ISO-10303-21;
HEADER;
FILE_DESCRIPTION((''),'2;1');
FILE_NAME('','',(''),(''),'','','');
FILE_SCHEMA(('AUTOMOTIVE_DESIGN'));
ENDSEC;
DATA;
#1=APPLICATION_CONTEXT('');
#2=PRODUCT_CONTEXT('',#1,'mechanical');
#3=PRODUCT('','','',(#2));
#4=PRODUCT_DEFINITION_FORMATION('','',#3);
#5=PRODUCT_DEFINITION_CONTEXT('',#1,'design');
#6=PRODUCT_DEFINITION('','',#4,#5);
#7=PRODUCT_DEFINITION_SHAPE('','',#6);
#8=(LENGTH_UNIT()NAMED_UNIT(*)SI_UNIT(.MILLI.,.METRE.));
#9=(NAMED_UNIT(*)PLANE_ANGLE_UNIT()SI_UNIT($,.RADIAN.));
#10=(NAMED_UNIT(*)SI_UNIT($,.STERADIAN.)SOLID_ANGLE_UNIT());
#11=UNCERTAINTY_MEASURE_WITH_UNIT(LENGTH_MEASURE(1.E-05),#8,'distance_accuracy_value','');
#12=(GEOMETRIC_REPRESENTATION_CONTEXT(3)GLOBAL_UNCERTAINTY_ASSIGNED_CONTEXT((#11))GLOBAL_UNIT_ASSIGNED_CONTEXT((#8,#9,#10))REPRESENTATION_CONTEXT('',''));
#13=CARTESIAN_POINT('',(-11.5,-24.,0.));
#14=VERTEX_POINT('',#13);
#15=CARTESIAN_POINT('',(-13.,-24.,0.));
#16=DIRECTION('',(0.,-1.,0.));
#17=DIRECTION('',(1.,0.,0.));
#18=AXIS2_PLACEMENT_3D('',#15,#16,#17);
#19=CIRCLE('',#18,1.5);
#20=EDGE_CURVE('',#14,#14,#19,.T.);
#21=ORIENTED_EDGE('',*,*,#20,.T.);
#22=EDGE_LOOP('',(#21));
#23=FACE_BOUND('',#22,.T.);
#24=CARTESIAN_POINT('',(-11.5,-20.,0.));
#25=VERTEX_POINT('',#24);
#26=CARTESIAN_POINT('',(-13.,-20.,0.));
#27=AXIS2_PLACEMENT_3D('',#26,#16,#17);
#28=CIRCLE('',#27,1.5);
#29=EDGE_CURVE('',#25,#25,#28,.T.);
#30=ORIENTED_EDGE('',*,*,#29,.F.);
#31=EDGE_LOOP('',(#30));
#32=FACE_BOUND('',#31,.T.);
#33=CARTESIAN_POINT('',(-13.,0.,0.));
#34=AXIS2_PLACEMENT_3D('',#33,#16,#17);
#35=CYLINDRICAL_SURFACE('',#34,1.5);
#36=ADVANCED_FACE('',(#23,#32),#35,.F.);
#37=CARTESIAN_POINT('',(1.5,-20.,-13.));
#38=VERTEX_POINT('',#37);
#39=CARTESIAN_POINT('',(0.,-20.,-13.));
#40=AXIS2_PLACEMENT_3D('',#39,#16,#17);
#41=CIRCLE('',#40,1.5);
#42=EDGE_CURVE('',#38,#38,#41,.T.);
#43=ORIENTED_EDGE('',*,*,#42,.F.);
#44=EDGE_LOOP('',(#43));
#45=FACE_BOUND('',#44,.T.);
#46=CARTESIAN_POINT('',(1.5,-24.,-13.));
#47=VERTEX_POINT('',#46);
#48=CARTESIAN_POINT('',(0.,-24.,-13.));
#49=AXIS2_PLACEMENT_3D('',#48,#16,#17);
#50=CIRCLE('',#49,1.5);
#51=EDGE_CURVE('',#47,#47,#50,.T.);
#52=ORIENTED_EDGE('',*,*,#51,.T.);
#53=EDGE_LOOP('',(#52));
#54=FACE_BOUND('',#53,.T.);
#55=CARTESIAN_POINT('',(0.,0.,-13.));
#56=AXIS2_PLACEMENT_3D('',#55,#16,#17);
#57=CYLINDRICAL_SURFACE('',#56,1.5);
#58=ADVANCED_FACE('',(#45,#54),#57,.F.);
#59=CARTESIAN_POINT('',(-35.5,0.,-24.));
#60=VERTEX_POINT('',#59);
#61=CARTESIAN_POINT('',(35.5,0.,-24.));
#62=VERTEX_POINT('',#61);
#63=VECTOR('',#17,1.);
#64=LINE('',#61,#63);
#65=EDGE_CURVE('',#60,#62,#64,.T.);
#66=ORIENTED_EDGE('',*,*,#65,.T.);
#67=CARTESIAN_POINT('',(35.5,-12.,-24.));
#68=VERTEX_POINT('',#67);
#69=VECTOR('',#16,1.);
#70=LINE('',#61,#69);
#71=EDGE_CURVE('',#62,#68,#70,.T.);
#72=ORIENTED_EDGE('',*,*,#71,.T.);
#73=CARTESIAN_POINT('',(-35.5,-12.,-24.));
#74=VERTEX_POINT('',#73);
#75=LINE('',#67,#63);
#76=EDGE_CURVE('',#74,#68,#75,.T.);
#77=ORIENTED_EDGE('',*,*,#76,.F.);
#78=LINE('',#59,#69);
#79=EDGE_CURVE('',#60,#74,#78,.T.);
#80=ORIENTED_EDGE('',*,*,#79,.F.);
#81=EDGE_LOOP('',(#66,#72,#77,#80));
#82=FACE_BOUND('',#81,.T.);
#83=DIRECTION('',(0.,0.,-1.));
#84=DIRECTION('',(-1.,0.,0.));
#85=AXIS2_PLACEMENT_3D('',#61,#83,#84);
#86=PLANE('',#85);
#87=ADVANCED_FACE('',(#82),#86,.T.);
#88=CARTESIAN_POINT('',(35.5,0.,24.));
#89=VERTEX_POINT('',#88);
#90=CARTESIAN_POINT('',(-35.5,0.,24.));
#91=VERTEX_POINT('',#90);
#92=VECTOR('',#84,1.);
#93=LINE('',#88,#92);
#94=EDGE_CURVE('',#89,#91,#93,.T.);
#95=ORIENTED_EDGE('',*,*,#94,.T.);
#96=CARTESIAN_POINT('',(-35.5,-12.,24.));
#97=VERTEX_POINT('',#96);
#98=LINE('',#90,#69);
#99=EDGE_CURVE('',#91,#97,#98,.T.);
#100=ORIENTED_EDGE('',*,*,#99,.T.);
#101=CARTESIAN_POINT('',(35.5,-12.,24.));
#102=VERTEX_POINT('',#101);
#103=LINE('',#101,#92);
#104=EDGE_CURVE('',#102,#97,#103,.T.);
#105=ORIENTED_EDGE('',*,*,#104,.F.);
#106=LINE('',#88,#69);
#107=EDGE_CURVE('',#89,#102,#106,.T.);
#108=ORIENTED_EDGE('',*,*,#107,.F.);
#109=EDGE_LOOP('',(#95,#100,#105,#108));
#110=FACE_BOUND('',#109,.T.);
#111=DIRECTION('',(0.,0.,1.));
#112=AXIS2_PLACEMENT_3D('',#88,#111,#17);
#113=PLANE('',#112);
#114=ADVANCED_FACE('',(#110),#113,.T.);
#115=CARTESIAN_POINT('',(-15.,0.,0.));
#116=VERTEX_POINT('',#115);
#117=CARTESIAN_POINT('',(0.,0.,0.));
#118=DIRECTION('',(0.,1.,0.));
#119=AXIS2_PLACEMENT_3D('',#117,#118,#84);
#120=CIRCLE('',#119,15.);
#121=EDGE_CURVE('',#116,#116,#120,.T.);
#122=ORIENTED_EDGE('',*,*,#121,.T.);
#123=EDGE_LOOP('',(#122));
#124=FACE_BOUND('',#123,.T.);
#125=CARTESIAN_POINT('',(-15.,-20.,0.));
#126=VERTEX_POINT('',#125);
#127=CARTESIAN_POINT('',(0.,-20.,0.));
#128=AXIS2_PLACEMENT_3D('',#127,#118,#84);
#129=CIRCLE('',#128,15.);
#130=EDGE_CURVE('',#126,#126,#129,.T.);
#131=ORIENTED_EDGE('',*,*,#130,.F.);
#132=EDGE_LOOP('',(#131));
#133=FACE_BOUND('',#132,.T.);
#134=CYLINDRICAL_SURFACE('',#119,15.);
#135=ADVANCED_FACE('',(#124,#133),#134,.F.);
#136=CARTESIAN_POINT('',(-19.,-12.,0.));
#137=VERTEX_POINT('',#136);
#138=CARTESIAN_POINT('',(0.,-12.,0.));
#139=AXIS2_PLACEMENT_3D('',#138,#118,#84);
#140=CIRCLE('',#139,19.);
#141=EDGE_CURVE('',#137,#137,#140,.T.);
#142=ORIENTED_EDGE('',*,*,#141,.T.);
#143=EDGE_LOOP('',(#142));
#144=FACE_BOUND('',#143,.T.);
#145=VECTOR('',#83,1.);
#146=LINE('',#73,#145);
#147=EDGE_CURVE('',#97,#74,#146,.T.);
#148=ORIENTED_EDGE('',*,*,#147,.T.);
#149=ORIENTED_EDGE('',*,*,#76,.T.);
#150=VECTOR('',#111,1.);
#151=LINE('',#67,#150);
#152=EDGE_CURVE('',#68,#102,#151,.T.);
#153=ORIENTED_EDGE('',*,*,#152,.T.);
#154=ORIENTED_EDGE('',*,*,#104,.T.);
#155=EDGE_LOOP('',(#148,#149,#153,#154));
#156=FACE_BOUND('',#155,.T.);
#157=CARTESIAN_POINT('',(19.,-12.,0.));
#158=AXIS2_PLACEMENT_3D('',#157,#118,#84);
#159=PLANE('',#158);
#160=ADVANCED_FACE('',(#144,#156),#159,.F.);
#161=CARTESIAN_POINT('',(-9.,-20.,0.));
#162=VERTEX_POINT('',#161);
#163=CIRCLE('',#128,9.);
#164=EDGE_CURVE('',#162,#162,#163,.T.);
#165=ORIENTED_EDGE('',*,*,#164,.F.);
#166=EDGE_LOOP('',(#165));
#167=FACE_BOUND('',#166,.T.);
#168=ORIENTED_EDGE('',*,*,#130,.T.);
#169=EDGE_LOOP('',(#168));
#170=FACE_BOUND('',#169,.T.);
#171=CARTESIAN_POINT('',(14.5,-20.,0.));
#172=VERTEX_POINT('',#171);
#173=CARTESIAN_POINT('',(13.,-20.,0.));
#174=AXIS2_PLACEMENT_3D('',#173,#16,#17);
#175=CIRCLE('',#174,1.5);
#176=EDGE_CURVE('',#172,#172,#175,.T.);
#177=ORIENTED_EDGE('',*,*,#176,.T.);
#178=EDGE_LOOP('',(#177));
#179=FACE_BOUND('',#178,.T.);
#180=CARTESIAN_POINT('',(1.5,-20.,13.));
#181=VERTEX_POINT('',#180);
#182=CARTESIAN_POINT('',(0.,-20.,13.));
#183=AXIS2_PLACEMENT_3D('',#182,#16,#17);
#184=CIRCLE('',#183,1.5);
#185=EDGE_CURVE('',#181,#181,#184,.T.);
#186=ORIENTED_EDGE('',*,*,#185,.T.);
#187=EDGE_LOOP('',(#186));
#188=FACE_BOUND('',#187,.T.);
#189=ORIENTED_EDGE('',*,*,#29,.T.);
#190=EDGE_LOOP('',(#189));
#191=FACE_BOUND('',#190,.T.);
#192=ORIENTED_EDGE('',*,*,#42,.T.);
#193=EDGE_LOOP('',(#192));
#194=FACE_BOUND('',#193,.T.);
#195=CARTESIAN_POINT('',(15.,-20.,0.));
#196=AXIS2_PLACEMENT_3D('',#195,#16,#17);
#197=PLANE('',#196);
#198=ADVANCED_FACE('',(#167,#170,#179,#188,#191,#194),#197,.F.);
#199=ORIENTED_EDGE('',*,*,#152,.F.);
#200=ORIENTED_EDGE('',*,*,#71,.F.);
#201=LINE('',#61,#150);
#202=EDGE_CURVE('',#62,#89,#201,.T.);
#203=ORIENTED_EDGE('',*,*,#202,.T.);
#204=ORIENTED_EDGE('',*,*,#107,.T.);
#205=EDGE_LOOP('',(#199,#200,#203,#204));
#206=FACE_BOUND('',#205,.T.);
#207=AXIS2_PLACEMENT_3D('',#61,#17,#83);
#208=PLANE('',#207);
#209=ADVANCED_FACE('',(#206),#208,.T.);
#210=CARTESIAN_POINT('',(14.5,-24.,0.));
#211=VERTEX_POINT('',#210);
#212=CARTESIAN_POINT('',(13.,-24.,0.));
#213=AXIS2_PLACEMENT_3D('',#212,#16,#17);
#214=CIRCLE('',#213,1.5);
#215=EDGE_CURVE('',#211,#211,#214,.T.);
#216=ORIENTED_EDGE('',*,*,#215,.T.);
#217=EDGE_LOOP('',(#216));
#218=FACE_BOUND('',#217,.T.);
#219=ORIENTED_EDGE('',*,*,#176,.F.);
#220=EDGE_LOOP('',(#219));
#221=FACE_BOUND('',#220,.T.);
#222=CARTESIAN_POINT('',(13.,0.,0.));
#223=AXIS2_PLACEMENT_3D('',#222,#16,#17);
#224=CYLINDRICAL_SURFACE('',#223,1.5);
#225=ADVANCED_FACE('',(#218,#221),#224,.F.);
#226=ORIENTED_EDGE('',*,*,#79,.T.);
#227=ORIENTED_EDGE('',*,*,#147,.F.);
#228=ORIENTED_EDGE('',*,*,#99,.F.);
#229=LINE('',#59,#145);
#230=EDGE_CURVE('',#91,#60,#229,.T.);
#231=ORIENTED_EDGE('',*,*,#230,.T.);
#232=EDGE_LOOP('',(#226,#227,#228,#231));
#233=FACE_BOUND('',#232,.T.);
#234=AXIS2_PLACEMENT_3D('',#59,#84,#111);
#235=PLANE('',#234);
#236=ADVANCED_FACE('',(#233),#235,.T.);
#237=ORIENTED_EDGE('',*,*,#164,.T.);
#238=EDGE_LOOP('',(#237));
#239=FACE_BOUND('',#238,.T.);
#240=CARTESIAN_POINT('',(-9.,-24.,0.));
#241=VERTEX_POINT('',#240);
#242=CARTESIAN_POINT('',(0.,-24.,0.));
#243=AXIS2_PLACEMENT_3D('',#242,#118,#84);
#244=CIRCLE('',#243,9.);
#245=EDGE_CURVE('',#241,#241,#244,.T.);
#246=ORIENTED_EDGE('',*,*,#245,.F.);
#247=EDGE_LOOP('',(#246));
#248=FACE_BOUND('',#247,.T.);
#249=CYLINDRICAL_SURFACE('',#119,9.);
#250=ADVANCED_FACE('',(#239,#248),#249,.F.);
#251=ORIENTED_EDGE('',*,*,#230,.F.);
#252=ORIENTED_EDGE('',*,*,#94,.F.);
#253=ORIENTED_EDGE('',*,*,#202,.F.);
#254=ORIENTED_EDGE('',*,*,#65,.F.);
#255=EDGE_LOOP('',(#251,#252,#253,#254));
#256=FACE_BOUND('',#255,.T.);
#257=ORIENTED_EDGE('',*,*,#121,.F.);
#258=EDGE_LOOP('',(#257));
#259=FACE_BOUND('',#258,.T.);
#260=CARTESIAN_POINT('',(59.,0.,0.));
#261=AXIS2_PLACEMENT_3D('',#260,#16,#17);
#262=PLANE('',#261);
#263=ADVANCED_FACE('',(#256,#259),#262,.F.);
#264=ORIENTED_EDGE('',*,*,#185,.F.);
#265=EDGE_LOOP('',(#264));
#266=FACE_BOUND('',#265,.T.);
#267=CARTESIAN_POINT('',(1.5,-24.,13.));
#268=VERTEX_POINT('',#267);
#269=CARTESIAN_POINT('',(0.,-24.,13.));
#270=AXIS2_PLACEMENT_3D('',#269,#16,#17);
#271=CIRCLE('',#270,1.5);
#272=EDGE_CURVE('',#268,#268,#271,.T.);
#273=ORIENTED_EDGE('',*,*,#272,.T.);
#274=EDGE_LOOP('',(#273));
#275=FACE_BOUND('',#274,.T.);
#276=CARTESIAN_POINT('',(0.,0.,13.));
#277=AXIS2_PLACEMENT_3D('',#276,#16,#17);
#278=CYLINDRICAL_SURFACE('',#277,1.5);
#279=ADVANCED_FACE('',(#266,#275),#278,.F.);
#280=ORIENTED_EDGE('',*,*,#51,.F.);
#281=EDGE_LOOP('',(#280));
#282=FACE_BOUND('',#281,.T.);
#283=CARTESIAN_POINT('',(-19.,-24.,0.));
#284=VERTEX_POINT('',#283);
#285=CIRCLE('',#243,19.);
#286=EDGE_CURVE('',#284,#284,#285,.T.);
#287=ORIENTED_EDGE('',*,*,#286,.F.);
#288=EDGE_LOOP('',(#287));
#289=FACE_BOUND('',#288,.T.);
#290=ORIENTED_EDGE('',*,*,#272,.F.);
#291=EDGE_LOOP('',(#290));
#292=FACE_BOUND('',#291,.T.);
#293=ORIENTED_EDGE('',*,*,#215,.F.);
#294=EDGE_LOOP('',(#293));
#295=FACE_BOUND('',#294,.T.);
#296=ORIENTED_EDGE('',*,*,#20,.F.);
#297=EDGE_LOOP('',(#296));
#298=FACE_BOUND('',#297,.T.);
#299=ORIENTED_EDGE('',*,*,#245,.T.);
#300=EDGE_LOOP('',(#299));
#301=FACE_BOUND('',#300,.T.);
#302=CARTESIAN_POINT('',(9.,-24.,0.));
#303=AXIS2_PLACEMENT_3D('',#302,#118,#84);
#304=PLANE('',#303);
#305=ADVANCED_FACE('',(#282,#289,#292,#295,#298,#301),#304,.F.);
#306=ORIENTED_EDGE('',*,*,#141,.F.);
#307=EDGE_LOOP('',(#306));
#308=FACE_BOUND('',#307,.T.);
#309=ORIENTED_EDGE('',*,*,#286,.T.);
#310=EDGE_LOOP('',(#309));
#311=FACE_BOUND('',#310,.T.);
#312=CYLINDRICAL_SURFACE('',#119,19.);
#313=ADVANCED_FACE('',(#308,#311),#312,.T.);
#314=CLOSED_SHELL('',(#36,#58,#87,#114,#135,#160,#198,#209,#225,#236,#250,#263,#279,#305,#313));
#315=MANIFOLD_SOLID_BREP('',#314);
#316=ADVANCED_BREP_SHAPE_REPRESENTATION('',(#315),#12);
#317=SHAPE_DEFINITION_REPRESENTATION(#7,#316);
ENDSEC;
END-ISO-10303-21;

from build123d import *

# Parameters (mm, degrees)
ESQUISSE4_R           = 1.5
EXTRUSION3_DEPTH      = 25
ESQUISSE5_OUTSIDE_W   = 153.718
ESQUISSE5_OUTSIDE_H   = 153.718
ESQUISSE5_OUTSIDE_W_2 = 71
ESQUISSE5_OUTSIDE_H_2 = 48
EXTRUSION4_DEPTH      = 13


with BuildPart() as part:
    # Esquisse1 → Révolution1 (revolve)
    with BuildSketch(Plane.XY):
        Polygon((19, -12), (59, -12), (59, 0), (15, 0), (15, -20), (9, -20), (9, -24), (19, -24), align=None)
    revolve(axis=Axis((0, 0, 0), (0, -1, 0)))

    # Esquisse4 → Extrusion3 (cut, through all)
    with BuildSketch(Plane.XZ.offset(24)):
        with Locations((0, 13)):
            Circle(ESQUISSE4_R)
        with Locations((13, 0)):
            Circle(ESQUISSE4_R)
        with Locations((0, -13)):
            Circle(ESQUISSE4_R)
        with Locations((-13, 0)):
            Circle(ESQUISSE4_R)
    extrude(amount=-EXTRUSION3_DEPTH, mode=Mode.SUBTRACT)

    # Esquisse5 outside → Extrusion4 (cut, through all)
    with BuildSketch(Plane.XZ.offset(12)):
        Rectangle(ESQUISSE5_OUTSIDE_W, ESQUISSE5_OUTSIDE_H)
        Rectangle(ESQUISSE5_OUTSIDE_W_2, ESQUISSE5_OUTSIDE_H_2, mode=Mode.SUBTRACT)
    extrude(amount=-EXTRUSION4_DEPTH, mode=Mode.SUBTRACT)


solid = part.part
